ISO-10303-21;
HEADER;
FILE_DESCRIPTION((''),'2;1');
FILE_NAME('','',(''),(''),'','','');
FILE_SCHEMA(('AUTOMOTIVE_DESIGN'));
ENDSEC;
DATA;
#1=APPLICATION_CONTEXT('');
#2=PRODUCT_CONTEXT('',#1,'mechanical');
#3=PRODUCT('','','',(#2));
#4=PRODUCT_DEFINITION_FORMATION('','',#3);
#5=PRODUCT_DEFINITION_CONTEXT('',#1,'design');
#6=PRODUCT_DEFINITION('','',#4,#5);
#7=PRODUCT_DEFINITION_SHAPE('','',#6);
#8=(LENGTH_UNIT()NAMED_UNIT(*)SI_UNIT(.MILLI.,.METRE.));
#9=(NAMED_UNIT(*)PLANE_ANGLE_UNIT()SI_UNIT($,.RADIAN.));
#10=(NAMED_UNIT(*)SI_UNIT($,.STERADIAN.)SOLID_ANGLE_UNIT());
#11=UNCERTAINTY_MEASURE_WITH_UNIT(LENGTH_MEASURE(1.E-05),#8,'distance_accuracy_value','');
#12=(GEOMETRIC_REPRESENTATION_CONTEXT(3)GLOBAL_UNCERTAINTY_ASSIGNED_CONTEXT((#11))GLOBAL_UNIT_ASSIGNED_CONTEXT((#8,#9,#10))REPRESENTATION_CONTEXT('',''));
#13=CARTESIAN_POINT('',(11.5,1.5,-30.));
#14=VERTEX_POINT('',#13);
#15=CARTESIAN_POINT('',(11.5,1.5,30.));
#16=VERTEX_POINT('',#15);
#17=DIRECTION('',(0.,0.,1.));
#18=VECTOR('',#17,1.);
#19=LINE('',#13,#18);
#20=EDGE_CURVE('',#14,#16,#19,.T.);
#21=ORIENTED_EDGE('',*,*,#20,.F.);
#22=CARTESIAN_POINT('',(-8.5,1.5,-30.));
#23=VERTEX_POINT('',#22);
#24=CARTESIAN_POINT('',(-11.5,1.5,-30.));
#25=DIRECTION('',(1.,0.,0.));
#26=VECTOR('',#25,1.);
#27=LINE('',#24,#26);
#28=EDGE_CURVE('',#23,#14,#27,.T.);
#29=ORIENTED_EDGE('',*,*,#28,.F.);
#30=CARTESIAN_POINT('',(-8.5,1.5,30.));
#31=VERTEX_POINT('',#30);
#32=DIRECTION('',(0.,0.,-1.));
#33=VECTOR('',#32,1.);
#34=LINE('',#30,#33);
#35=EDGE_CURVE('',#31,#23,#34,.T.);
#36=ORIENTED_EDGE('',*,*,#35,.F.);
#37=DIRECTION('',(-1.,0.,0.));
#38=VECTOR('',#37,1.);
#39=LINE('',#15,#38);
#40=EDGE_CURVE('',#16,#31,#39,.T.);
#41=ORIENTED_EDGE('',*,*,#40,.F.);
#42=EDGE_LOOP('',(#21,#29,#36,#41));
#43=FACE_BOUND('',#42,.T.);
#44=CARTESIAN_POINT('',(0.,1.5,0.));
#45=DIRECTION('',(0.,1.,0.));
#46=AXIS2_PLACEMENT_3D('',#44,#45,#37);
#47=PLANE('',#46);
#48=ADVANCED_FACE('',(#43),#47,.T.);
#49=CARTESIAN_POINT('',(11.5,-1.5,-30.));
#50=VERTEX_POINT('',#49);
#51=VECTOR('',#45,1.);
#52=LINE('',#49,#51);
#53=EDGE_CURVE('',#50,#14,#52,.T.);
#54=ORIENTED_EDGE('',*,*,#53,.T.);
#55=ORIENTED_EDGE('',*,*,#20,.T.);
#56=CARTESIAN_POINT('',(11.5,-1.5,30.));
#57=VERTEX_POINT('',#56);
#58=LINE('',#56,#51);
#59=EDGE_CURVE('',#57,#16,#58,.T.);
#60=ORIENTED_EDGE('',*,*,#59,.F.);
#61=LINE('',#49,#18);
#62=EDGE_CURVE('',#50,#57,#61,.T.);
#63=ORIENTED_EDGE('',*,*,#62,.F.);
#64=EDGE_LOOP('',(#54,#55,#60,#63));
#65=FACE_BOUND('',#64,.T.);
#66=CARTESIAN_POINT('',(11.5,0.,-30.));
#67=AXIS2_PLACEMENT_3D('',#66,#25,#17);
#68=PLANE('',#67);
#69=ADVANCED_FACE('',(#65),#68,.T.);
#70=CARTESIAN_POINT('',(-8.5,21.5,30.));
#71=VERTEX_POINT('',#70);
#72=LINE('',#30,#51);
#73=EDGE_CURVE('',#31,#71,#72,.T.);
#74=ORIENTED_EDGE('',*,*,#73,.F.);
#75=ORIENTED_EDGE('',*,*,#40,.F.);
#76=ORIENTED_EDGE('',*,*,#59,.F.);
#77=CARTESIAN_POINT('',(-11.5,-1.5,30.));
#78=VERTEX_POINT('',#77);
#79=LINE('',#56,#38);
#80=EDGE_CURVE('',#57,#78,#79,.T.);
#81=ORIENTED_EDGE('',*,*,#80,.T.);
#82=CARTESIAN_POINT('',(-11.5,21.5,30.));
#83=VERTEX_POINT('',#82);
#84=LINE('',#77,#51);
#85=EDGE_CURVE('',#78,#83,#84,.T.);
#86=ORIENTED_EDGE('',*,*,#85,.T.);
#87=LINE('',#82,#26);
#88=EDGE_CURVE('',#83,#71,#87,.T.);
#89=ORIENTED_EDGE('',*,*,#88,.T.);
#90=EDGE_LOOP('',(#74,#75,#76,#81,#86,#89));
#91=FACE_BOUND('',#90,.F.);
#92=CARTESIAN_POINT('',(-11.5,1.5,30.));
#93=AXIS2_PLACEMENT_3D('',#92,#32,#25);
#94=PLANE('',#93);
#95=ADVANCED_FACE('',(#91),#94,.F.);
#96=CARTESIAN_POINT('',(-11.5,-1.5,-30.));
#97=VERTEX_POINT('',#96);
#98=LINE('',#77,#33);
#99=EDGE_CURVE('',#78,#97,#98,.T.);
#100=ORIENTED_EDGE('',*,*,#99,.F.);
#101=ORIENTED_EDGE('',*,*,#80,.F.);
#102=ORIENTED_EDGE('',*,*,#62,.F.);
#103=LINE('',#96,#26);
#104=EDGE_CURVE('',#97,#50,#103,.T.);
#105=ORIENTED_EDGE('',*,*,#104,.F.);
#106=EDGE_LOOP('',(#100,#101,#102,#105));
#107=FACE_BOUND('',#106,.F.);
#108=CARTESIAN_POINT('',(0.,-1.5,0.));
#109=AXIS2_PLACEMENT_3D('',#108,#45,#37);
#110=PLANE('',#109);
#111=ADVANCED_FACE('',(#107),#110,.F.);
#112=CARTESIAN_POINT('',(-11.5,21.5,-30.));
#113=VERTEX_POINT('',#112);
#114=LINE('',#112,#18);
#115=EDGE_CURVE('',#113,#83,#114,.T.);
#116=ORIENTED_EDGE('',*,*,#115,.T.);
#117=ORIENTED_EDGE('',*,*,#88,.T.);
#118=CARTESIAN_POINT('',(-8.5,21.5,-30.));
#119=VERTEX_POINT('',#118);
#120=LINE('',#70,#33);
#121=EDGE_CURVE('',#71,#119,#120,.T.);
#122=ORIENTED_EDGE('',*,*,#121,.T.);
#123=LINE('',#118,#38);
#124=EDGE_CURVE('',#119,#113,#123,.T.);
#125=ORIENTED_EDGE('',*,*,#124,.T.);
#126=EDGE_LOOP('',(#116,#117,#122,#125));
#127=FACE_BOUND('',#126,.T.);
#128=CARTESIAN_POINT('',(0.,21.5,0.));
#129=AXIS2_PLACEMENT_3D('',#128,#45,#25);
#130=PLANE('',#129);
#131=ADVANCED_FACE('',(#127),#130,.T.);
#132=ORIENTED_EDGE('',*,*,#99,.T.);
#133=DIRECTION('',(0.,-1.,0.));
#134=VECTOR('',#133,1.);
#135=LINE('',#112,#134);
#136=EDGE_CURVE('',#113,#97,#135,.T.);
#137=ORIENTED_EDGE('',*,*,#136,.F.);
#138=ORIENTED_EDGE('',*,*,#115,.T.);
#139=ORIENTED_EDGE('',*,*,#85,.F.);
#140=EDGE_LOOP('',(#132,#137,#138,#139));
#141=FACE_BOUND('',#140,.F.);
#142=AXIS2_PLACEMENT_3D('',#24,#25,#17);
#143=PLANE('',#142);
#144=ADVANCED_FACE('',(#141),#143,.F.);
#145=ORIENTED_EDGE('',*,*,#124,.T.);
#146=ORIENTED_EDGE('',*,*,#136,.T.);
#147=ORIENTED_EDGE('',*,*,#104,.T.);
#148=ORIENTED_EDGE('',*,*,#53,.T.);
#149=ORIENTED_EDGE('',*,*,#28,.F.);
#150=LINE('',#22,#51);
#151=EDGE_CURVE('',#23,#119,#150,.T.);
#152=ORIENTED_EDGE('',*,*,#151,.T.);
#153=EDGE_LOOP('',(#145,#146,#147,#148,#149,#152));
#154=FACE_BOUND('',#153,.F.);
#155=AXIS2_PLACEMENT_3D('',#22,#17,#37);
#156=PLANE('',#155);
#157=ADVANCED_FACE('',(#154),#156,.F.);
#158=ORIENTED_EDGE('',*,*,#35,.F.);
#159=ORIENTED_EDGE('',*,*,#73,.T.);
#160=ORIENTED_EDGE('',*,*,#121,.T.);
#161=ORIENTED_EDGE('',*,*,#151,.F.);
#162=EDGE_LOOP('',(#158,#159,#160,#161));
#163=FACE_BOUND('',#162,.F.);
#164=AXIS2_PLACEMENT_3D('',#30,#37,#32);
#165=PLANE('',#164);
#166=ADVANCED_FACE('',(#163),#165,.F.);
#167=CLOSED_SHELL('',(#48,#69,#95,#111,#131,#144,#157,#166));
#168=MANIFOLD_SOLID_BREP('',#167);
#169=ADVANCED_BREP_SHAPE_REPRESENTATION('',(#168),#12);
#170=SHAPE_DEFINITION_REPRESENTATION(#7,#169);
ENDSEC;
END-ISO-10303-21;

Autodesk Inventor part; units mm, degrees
ref_plane "YZ Plane" through (0, 0, 0) normal (1, 0, 0) x (0, 1, 0)
ref_plane "XZ Plane" through (0, 0, 0) normal (0, 1, 0) x (-1, 0, 0)
ref_plane "XY Plane" through (0, 0, 0) normal (0, 0, 1) x (1, 0, 0)
sketch "Sketch1" plane through (0, 0, 0) normal (0, 1, 0) x (-1, 0, 0)
  line L0 (-11.5, 30) -> (11.5, 30)
  line L1 (11.5, 30) -> (11.5, -30)
  line L2 (11.5, -30) -> (-11.5, -30)
  line L3 (-11.5, -30) -> (-11.5, 30)
  line L4 (-11.5, 30) -> (11.5, -30) construction
  line L5 (11.5, 30) -> (-11.5, -30) construction
  point P0 (0, 0)
  dimension "d0" = 23
  dimension "d1" = 60
extrude "Extrusion1" add sketch "Sketch1" along normal mid plane 3
sketch "Sketch2" plane through (0, 1.5, 0) normal (0, 1, 0) x (1, 0, 0)
  line L0 (-11.5, -30) -> (11.5, -30) projected
  line L1 (-11.5, -30) -> (-8.5, -30)
  line L2 (-8.5, -30) -> (-8.5, 30)
  line L3 (-8.5, 30) -> (-11.5, 30)
  line L4 (-11.5, 30) -> (-11.5, -30)
  line L5 (11.5, 30) -> (-11.5, 30) projected
  point P0 (0, 0)
  dimension "d4" = 3
extrude "Extrusion2" add sketch "Sketch2" along normal blind 20
properties part number "CameraLBracket"
